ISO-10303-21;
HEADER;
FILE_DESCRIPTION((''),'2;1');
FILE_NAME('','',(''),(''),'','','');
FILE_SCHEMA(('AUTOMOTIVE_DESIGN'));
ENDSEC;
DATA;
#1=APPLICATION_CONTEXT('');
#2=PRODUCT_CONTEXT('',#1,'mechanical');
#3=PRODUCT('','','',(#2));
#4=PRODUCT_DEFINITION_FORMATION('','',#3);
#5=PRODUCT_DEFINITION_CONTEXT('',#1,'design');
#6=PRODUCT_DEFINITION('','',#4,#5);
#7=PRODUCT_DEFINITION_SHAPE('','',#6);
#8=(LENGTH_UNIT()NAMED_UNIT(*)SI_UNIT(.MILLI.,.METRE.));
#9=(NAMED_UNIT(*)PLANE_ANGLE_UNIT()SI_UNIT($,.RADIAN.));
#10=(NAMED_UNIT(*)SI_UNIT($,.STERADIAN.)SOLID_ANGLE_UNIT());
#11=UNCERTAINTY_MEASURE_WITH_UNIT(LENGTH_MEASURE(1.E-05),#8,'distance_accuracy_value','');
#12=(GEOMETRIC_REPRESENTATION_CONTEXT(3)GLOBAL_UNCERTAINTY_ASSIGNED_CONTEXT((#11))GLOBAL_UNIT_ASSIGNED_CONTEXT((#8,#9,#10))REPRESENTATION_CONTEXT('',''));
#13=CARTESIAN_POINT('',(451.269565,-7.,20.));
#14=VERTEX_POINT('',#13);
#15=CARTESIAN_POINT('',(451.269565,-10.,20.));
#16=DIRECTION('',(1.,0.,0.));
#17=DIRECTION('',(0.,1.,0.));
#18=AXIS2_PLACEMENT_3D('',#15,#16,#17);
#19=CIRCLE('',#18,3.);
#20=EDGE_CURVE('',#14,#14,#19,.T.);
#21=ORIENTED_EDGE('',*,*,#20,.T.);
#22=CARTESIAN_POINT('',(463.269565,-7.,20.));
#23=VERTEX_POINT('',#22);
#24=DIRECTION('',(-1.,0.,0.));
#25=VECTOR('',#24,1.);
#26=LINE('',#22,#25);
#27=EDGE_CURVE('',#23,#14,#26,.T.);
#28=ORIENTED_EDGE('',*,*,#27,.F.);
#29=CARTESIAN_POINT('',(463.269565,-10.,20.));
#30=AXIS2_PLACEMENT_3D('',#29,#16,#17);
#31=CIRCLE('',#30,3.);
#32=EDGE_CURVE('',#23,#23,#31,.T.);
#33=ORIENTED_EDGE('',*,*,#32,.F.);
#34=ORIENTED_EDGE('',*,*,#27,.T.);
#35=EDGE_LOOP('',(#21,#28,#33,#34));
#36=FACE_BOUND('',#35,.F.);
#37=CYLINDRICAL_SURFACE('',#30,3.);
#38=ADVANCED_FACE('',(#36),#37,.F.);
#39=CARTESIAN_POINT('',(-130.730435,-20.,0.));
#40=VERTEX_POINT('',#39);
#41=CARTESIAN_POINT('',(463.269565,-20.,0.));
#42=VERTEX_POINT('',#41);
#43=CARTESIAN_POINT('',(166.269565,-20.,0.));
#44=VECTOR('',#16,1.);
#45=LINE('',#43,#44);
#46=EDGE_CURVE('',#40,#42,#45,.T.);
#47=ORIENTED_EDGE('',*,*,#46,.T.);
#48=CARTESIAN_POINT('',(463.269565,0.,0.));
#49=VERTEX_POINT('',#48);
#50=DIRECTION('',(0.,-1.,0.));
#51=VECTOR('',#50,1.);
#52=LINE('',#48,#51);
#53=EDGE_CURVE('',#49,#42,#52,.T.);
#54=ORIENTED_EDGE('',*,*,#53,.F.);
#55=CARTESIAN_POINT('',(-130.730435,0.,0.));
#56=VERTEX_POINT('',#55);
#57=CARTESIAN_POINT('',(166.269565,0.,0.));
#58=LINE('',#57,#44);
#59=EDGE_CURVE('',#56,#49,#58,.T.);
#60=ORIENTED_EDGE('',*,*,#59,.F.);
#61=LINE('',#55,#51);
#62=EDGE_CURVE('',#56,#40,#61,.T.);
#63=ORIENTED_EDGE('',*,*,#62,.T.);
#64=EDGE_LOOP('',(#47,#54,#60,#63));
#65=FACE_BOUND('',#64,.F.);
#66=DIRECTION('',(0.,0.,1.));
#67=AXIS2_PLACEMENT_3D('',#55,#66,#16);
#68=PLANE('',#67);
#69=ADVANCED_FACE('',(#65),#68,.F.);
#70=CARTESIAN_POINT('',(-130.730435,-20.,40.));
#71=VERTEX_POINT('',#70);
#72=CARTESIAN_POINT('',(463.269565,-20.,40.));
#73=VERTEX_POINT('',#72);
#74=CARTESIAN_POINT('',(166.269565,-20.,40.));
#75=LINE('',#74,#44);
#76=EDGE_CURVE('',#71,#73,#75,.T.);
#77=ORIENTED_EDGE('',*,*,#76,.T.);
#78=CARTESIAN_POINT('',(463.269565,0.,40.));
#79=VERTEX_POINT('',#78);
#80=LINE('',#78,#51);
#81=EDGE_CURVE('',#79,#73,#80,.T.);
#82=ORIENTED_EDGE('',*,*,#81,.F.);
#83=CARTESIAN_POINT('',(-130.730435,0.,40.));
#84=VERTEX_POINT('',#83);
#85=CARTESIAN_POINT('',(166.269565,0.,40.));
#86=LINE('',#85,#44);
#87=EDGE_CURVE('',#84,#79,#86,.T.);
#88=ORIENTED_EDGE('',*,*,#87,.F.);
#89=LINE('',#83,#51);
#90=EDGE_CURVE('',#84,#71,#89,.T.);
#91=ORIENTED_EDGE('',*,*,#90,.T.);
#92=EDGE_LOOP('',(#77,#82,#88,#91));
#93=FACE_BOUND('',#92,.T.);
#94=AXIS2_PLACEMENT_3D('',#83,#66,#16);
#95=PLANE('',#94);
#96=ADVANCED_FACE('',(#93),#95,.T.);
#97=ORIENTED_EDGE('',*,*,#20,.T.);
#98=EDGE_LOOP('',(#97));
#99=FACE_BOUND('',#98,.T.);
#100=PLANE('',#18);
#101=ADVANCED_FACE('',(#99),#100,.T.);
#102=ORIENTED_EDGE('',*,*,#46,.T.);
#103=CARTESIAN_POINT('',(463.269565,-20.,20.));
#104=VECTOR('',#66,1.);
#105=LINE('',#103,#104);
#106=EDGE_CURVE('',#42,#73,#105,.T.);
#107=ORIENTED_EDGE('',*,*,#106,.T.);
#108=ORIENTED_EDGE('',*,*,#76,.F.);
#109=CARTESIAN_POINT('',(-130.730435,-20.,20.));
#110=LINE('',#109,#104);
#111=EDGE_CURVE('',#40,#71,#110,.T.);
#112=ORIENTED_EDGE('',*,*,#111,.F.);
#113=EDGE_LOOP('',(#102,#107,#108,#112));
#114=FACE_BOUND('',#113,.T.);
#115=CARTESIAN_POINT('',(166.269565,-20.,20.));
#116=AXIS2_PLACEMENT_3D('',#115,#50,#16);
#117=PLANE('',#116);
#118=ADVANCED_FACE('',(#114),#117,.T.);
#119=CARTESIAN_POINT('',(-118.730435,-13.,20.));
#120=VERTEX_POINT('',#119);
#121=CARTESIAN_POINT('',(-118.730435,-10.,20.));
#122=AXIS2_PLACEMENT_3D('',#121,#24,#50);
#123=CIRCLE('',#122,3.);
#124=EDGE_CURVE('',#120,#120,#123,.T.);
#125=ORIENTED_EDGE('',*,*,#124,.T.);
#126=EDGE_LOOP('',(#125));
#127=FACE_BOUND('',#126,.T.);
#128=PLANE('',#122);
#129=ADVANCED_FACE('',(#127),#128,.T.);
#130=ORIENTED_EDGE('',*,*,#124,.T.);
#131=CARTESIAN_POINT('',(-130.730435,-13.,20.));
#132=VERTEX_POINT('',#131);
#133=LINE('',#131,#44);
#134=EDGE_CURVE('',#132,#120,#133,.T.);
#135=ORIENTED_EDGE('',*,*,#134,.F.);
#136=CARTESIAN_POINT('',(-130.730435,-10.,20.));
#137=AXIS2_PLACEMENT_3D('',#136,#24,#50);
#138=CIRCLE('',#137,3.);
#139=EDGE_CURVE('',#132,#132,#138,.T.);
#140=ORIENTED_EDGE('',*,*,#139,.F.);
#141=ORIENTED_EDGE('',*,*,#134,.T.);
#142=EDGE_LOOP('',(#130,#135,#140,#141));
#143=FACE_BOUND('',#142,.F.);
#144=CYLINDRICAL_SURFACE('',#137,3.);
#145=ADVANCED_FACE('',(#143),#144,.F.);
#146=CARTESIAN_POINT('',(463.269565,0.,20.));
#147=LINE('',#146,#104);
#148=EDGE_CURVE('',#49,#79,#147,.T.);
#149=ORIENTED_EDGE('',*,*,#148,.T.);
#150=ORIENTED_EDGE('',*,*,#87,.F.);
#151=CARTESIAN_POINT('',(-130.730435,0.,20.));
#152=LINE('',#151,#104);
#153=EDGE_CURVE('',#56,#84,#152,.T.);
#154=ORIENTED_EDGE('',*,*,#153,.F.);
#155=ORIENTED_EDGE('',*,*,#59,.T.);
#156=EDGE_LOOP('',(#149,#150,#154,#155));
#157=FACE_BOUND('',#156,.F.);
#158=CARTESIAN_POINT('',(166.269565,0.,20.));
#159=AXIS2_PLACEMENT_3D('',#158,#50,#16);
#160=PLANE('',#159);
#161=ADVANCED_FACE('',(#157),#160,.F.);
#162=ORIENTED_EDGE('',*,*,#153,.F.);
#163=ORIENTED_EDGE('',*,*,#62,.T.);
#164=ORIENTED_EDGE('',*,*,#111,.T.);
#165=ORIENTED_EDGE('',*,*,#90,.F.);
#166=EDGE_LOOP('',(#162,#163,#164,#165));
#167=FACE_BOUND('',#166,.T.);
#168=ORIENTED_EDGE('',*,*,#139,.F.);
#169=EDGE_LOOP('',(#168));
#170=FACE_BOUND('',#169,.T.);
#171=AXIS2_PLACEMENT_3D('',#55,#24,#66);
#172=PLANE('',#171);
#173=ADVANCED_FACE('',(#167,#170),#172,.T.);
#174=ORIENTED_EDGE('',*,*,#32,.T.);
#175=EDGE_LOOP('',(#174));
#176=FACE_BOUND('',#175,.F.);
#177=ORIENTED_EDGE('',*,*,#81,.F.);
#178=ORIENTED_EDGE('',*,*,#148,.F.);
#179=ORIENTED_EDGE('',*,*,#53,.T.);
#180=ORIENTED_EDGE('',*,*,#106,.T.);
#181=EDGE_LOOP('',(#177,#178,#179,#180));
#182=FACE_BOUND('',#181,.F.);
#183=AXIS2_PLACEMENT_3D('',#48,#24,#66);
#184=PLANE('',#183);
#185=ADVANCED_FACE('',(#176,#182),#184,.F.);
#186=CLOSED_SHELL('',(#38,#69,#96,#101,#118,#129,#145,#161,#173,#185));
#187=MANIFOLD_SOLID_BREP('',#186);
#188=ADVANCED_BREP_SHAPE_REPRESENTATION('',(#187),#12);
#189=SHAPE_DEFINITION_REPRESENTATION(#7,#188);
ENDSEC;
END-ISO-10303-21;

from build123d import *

# Parameters (mm, degrees)
F0_W     = 594
F0_H     = 40
F1_DEPTH = 20
F2_R     = 3
F3_DEPTH = 12
F4_R     = 3
F5_DEPTH = 12


with BuildPart() as f1:
    # F0 (on Front) → F1 (new body)
    with BuildSketch(Plane.XZ):
        with Locations((166.269565, 20)):
            Rectangle(F0_W, F0_H)
    extrude(amount=F1_DEPTH)

    # F2 (on face) → F3 (cut)
    with BuildSketch(Plane.YZ.offset(463.269565)):
        with Locations((-10, 20)):
            Circle(F2_R)
    extrude(amount=-F3_DEPTH, mode=Mode.SUBTRACT)

    # F4 (on face) → F5 (cut)
    with BuildSketch(Plane(origin=(-130.730435, 0, 0), x_dir=(0, -1, 0), z_dir=(-1, 0, 0))):
        with Locations((10, 20)):
            Circle(F4_R)
    extrude(amount=-F5_DEPTH, mode=Mode.SUBTRACT)


solid = f1.part
